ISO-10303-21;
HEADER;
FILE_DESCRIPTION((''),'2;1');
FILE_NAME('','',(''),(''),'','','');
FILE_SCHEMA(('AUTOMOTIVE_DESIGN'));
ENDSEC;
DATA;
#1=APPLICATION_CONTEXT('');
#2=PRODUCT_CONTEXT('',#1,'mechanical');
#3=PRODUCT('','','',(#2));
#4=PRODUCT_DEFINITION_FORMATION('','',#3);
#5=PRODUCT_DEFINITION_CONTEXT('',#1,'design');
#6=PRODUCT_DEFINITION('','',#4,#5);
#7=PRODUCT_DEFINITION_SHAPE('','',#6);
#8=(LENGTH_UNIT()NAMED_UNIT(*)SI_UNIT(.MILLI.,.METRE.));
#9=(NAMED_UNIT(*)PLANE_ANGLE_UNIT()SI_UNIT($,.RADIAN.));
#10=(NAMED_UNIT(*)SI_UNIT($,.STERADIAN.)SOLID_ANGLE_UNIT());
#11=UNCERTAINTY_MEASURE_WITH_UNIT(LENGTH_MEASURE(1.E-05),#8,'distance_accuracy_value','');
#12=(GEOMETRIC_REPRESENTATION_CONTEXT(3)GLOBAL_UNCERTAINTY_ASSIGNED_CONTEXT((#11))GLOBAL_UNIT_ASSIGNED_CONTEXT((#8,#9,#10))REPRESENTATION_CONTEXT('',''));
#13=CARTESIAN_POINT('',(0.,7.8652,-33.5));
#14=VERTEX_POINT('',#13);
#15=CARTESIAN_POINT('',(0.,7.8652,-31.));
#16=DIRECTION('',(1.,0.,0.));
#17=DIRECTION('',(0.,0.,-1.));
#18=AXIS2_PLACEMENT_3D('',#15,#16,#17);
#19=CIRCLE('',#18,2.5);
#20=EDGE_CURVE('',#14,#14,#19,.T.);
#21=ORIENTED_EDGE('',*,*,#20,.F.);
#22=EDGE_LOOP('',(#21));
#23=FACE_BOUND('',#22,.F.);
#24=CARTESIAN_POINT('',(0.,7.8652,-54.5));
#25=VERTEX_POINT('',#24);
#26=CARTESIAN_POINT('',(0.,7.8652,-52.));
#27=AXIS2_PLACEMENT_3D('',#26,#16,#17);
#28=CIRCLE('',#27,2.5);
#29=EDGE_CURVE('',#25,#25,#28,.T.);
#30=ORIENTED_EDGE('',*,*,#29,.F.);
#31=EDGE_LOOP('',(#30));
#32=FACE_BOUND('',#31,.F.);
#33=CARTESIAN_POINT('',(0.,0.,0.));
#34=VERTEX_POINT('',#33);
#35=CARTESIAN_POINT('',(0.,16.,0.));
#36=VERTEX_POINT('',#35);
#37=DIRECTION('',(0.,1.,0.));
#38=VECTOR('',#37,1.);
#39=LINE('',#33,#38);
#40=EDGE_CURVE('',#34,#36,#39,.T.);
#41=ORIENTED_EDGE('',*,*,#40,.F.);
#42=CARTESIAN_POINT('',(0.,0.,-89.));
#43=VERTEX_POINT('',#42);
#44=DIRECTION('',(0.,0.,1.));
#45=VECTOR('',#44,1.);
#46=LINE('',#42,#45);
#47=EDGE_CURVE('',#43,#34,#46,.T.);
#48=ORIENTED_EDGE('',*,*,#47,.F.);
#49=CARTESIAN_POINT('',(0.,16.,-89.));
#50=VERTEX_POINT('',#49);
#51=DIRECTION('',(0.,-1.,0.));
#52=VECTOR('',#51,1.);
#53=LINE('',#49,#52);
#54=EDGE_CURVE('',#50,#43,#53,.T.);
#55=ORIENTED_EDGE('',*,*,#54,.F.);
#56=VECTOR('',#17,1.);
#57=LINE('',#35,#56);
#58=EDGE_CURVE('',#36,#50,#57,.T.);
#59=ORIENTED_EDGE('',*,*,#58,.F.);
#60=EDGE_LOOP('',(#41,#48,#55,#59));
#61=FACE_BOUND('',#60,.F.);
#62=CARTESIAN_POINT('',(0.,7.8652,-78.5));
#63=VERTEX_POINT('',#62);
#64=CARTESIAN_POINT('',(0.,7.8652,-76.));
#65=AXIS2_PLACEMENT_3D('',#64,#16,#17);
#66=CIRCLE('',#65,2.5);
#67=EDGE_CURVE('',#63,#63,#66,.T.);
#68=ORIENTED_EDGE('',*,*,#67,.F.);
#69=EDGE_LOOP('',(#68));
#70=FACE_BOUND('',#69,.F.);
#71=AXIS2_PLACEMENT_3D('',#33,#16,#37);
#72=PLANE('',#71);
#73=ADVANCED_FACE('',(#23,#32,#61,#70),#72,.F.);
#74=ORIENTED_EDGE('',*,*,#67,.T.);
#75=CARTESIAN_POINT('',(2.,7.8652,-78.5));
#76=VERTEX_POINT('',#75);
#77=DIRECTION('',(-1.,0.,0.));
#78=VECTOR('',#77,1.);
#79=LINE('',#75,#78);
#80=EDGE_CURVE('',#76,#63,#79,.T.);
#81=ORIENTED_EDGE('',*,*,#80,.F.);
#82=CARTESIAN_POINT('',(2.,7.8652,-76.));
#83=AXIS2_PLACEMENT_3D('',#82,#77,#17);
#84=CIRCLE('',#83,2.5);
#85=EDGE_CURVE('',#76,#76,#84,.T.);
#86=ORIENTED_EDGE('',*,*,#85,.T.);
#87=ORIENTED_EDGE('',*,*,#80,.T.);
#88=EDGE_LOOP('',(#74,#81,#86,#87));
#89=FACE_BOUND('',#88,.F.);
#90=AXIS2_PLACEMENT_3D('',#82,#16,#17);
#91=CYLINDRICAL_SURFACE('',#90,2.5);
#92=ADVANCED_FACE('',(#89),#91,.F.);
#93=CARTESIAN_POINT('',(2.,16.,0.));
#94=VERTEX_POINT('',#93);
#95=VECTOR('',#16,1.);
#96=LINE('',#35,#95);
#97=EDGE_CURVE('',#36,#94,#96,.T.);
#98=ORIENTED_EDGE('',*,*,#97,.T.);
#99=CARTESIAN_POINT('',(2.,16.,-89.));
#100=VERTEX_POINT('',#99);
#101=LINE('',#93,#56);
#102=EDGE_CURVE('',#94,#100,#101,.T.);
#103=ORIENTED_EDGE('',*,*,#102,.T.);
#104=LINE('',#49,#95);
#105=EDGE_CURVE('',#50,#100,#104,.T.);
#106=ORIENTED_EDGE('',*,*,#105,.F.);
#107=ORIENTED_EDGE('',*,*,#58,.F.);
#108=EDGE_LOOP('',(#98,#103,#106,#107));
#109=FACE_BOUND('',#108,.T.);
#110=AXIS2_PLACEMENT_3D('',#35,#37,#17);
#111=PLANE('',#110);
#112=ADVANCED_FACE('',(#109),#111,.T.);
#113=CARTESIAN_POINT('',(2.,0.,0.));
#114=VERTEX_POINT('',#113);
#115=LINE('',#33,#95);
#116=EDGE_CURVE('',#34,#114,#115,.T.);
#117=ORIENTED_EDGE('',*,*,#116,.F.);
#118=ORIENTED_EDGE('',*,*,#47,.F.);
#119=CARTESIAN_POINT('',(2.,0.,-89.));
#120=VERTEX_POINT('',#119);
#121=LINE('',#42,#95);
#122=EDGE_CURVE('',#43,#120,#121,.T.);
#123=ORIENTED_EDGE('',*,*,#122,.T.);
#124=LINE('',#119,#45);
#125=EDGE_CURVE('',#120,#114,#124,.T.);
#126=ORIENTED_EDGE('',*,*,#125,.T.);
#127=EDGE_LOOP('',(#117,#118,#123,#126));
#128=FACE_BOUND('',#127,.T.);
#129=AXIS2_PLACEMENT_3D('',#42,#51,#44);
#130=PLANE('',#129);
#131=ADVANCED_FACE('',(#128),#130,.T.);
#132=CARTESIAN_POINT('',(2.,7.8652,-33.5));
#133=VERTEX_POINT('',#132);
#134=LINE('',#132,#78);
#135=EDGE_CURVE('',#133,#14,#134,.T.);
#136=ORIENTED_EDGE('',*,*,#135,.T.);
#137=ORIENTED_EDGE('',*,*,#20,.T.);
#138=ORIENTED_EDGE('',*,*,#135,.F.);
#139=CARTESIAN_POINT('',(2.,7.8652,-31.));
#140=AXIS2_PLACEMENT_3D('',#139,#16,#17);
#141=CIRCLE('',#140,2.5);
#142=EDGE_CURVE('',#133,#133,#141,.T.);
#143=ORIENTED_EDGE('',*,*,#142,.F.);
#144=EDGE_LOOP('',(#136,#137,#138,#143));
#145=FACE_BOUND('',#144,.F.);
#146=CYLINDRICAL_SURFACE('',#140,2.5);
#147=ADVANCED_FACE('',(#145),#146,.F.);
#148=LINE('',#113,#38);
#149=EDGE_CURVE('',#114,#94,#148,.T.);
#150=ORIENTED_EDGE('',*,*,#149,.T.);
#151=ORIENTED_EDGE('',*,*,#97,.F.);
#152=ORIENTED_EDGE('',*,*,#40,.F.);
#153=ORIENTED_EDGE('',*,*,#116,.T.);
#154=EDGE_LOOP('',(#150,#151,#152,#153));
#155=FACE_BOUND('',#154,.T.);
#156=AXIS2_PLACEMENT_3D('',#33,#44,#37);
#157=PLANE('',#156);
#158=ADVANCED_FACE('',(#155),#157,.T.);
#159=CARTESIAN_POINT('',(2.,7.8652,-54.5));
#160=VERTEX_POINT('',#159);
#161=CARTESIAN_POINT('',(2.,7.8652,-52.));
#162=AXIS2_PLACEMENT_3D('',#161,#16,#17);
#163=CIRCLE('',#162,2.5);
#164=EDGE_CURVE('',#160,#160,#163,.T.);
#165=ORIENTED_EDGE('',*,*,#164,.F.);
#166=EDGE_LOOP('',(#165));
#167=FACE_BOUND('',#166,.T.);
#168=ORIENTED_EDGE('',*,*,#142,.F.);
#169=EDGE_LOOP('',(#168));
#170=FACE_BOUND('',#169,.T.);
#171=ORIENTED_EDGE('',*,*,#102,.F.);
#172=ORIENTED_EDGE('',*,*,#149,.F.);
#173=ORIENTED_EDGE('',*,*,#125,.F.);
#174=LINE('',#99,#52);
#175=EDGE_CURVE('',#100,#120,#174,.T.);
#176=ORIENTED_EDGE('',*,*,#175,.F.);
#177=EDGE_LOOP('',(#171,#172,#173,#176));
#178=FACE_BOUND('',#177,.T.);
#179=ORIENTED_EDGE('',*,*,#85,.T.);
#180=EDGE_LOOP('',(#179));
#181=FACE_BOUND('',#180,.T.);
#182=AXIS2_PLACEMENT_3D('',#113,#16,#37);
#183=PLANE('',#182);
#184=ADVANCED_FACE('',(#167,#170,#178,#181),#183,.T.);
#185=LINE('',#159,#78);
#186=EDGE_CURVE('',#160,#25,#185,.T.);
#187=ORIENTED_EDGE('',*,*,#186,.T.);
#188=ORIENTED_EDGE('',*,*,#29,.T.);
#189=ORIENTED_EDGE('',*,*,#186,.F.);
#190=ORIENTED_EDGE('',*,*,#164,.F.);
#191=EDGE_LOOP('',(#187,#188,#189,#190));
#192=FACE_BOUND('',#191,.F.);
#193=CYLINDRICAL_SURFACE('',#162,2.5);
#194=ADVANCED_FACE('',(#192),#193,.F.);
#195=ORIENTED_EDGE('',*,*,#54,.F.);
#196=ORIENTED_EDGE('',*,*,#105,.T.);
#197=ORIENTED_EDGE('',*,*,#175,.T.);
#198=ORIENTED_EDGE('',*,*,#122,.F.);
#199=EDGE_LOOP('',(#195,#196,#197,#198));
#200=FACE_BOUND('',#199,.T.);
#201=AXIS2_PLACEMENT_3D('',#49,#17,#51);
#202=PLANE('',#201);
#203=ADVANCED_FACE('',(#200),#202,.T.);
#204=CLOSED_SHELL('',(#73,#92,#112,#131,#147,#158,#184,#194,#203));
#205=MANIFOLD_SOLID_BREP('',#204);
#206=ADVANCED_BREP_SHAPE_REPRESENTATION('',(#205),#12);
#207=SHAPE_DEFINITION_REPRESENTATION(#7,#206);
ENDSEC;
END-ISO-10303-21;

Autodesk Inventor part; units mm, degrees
ref_plane "YZ Plane" through (0, 0, 0) normal (1, 0, 0) x (0, 1, 0)
ref_plane "XZ Plane" through (0, 0, 0) normal (0, 1, 0) x (-1, 0, 0)
ref_plane "XY Plane" through (0, 0, 0) normal (0, 0, 1) x (1, 0, 0)
sketch "Sketch1" plane through (0, 0, 0) normal (1, 0, 0) x (0, 1, 0)
  line L0 (0, 0) -> (16, 0)
  line L1 (16, 0) -> (16, -89)
  line L2 (16, -89) -> (0, -89)
  line L3 (0, -89) -> (0, 0)
  dimension "d0" = 16
  dimension "d1" = 89
extrude "Extrusion1" add sketch "Sketch1" along normal blind 2
sketch "Sketch2" plane through (2, 0, 0) normal (1, 0, 0) x (0, 0, -1)
  circle A0 centre (76.5, 8.5) radius 1 projected
  circle A1 centre (52, 7.8652) radius 2.5 projected
  circle A2 centre (31, 7.8652) radius 2.5 projected
  circle A3 centre (31, 7.8652) radius 2.5
  circle A4 centre (52, 7.8652) radius 2.5
  circle A5 centre (76.1279, 7.6338) radius 2.5 projected
  line L0 (31, 7.8652) -> (88.1089, 7.8652) construction
  circle A6 centre (76, 7.8652) radius 2.5
  point P0 (0, 0)
  dimension "d4" = 5
  dimension "d5" = 5
  dimension "d6" = 5
  dimension "d9" = 21
  dimension "d10" = 24
extrude "Extrusion2" cut sketch "Sketch2" against normal blind 2 contours A1 | A2 | A6 A5 | A5 A6 picked at (74.9617, 6.4955) picked at (74.7573, 9.9128)
sketch "Sketch3" plane through (2, 8.5, -76.5) normal (1, 0, 0) x (0, 0, -1)
  circle A0 centre (0, 0) radius 1.1582
  point P0 (-76.5, -8.5)
extrude "Extrusion3" cut sketch "Sketch3" against normal blind 10
properties part number "Gear-wall-motor-side"
